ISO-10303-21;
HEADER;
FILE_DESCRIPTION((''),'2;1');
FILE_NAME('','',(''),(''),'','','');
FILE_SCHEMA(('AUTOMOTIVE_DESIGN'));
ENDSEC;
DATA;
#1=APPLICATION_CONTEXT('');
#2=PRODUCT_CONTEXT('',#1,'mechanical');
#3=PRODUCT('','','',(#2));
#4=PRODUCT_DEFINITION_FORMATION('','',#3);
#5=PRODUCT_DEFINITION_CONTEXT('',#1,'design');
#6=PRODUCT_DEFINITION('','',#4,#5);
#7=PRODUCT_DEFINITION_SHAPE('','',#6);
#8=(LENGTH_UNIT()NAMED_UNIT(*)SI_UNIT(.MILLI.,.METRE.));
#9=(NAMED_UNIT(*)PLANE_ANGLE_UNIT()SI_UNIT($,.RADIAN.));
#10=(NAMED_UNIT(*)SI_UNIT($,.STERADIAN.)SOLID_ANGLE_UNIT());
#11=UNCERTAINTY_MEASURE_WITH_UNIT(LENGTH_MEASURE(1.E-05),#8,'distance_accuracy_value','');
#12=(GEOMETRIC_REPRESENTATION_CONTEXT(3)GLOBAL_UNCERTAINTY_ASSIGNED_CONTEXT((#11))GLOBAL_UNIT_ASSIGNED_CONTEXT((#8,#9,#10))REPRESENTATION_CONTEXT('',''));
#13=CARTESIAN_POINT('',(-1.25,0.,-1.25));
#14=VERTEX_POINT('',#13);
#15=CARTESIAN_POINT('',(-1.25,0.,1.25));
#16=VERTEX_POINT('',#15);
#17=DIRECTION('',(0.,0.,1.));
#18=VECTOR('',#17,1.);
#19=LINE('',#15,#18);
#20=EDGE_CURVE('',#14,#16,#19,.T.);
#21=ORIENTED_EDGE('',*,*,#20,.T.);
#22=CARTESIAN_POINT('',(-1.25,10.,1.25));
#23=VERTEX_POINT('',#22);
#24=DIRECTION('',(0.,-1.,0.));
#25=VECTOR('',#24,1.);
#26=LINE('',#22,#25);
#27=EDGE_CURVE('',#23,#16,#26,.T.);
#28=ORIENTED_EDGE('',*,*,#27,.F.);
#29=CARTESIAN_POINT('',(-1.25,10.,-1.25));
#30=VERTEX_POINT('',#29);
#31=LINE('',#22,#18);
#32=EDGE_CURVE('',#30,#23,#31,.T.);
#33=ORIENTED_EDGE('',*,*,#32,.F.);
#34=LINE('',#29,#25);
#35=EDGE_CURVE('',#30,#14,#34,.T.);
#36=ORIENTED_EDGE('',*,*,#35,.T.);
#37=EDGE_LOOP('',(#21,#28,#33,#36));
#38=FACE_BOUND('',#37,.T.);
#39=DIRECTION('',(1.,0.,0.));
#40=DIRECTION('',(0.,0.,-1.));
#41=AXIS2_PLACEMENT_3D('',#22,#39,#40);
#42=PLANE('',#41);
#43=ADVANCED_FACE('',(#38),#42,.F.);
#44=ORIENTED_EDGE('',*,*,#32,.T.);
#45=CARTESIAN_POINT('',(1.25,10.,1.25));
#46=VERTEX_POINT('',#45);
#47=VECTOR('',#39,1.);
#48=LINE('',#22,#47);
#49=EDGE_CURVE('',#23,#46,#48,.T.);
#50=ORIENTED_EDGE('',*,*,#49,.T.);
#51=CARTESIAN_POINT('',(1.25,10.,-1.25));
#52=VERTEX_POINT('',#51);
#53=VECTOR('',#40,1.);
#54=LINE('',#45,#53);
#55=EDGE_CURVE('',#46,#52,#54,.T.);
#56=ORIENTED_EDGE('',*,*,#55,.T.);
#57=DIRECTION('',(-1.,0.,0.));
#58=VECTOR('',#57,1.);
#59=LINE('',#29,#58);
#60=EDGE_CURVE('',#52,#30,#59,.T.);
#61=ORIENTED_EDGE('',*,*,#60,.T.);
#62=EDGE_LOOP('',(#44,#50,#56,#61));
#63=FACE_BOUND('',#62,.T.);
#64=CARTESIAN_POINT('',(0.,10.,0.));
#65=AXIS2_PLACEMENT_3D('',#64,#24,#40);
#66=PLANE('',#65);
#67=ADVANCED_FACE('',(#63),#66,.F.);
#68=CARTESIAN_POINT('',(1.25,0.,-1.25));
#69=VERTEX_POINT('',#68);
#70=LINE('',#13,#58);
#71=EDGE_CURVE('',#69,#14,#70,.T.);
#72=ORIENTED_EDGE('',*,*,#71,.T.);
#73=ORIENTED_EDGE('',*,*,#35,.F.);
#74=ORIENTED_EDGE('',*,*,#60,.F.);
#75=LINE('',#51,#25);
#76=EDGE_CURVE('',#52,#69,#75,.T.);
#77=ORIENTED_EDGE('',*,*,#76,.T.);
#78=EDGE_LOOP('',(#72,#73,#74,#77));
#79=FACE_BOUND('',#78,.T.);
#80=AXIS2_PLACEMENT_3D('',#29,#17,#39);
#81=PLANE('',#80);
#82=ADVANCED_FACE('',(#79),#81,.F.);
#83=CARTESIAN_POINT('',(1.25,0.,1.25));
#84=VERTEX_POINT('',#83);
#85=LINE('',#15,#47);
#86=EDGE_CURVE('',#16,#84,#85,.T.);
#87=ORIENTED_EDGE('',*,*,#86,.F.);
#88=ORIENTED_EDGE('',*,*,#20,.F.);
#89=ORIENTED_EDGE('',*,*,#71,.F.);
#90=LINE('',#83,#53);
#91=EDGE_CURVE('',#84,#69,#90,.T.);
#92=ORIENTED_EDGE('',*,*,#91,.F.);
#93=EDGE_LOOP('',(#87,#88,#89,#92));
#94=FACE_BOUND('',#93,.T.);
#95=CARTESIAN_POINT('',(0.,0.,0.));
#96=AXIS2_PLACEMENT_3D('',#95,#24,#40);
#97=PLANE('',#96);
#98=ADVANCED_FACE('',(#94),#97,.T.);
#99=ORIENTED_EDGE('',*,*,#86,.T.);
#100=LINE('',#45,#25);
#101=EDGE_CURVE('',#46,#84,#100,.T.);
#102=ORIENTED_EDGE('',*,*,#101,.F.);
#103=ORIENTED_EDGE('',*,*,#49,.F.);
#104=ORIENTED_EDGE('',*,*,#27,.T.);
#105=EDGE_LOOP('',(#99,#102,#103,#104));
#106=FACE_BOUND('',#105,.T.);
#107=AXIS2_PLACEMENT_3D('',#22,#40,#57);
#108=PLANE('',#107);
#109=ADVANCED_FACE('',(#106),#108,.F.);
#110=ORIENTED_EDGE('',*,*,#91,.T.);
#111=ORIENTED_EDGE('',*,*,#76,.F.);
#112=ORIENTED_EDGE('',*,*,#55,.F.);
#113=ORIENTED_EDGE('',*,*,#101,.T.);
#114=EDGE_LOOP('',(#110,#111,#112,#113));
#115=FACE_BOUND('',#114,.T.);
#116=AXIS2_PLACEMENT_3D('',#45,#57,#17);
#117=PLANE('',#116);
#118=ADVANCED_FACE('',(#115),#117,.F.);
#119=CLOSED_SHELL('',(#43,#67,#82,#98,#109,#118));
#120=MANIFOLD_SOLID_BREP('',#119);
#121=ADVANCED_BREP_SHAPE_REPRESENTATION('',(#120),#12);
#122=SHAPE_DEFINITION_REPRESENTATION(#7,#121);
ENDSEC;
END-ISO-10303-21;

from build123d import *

# Parameters (mm, degrees)
SKETCH1_W           = 2.5
SKETCH1_H           = 2.5
BOSS_EXTRUDE1_DEPTH = 10


with BuildPart() as part:
    # Sketch1 → Boss-Extrude1 (new body)
    with BuildSketch(Plane(origin=(0, 0, 0), x_dir=(1, 0, 0), z_dir=(0, 1, 0))):
        Rectangle(SKETCH1_W, SKETCH1_H)
    extrude(amount=BOSS_EXTRUDE1_DEPTH)


solid = part.part
